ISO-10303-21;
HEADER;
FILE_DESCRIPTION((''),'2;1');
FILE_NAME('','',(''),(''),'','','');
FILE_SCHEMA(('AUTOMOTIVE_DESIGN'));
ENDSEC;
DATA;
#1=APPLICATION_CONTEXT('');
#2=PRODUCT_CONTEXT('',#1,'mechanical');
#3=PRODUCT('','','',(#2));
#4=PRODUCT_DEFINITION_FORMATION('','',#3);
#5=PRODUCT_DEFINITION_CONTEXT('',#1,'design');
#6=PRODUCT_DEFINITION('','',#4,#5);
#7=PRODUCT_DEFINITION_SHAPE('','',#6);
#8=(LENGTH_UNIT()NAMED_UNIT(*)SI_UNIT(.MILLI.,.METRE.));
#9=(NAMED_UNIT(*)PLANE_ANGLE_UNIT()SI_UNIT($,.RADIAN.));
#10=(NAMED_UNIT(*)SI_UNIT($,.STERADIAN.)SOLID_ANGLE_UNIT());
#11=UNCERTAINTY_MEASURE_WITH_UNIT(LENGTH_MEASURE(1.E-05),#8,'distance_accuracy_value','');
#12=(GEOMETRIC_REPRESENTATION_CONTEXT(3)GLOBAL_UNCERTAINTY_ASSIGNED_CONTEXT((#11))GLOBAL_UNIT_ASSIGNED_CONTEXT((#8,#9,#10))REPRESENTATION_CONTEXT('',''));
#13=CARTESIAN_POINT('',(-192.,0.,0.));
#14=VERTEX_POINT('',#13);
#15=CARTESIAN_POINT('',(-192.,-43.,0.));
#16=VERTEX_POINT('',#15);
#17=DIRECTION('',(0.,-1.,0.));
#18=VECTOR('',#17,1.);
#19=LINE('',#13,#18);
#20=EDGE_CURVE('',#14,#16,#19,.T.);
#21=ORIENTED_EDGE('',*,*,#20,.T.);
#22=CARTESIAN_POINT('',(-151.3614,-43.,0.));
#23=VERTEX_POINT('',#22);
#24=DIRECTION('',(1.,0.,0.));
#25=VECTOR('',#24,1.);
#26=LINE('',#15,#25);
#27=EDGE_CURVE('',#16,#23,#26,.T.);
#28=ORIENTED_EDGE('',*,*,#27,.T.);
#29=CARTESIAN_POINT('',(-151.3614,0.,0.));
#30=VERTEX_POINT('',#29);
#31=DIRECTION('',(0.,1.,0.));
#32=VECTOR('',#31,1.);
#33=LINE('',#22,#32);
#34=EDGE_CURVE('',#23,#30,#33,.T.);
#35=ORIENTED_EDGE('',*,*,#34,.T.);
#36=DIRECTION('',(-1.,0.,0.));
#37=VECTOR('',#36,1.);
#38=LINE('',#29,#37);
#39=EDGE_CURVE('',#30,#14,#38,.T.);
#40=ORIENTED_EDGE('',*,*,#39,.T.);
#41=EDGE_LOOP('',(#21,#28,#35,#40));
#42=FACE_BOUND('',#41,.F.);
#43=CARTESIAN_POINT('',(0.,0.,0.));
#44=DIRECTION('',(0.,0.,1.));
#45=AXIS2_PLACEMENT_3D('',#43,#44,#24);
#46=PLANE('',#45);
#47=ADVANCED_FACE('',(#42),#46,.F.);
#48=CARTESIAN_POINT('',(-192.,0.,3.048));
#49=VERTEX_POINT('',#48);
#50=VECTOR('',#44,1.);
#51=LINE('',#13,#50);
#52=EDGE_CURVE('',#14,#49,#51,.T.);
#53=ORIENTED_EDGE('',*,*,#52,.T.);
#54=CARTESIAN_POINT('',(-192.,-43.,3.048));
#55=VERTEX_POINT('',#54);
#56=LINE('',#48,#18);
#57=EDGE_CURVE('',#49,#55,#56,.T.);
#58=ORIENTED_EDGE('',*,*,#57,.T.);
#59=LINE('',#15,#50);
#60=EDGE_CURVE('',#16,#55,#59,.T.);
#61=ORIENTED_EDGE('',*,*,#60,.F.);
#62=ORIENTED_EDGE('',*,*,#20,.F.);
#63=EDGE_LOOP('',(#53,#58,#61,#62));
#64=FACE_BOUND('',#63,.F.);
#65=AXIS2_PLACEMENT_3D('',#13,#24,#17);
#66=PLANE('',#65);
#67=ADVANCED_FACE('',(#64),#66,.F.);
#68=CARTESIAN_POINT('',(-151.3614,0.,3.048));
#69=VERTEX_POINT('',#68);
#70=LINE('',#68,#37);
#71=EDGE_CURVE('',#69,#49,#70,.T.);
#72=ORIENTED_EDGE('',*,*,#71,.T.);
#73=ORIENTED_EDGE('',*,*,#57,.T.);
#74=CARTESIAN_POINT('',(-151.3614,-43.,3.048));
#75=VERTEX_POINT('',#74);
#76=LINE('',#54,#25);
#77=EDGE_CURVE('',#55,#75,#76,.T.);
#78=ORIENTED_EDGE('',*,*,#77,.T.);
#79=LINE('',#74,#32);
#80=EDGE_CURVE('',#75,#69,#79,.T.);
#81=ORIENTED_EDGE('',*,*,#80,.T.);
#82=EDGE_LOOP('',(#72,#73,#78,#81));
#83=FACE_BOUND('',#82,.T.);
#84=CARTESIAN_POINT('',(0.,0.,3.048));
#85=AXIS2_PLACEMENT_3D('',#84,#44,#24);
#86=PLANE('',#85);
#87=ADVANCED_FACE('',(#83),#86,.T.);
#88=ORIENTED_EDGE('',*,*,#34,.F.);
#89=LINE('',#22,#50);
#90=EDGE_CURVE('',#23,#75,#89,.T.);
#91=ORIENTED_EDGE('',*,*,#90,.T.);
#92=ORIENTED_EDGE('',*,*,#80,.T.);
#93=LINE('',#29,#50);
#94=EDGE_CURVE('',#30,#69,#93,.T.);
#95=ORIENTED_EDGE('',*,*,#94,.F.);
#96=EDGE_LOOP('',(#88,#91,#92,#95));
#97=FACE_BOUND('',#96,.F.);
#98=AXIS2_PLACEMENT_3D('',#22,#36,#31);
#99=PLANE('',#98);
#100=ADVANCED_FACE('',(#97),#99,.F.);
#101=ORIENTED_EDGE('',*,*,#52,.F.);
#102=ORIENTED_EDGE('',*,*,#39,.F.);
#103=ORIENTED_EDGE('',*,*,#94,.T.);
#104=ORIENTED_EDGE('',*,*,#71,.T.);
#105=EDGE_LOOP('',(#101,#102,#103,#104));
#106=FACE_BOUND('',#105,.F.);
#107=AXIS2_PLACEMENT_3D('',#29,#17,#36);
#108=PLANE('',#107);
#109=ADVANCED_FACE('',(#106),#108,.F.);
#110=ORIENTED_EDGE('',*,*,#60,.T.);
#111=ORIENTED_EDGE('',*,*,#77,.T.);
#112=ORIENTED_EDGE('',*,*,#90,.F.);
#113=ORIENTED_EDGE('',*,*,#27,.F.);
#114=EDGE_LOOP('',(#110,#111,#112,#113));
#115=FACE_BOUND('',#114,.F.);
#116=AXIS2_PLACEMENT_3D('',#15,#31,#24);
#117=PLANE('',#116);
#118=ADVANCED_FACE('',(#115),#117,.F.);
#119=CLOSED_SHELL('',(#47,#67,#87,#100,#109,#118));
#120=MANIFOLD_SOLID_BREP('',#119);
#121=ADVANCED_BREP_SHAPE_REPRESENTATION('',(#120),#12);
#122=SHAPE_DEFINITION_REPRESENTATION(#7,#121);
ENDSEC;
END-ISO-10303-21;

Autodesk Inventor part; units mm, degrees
ref_plane "YZ Plane" through (0, 0, 0) normal (1, 0, 0) x (0, 1, 0)
ref_plane "XZ Plane" through (0, 0, 0) normal (0, 1, 0) x (-1, 0, 0)
ref_plane "XY Plane" through (0, 0, 0) normal (0, 0, 1) x (1, 0, 0)
ref_plane "Work Plane1" through (0, 0, 0) normal (0, 0, 1) x (1, 0, 0)
sketch "Sketch1" plane through (0, 0, 0) normal (0, 0, 1) x (1, 0, 0)
  line L0 (-192, 0) -> (0, 0) construction
  line L1 (-192, 0) -> (-192, -43) construction
  line L2 (-192, -43) -> (0, -43) construction
  line L3 (-192, -43) -> (-151.3614, -43)
  line L4 (-151.3614, -43) -> (-151.3614, 0)
  line L5 (-151.3614, 0) -> (-192, 0)
  line L6 (-192, 0) -> (-192, -43)
extrude "Extrusion1" add sketch "Sketch1" along normal blind 3.048
properties part number "BallCasterMountFlat"
